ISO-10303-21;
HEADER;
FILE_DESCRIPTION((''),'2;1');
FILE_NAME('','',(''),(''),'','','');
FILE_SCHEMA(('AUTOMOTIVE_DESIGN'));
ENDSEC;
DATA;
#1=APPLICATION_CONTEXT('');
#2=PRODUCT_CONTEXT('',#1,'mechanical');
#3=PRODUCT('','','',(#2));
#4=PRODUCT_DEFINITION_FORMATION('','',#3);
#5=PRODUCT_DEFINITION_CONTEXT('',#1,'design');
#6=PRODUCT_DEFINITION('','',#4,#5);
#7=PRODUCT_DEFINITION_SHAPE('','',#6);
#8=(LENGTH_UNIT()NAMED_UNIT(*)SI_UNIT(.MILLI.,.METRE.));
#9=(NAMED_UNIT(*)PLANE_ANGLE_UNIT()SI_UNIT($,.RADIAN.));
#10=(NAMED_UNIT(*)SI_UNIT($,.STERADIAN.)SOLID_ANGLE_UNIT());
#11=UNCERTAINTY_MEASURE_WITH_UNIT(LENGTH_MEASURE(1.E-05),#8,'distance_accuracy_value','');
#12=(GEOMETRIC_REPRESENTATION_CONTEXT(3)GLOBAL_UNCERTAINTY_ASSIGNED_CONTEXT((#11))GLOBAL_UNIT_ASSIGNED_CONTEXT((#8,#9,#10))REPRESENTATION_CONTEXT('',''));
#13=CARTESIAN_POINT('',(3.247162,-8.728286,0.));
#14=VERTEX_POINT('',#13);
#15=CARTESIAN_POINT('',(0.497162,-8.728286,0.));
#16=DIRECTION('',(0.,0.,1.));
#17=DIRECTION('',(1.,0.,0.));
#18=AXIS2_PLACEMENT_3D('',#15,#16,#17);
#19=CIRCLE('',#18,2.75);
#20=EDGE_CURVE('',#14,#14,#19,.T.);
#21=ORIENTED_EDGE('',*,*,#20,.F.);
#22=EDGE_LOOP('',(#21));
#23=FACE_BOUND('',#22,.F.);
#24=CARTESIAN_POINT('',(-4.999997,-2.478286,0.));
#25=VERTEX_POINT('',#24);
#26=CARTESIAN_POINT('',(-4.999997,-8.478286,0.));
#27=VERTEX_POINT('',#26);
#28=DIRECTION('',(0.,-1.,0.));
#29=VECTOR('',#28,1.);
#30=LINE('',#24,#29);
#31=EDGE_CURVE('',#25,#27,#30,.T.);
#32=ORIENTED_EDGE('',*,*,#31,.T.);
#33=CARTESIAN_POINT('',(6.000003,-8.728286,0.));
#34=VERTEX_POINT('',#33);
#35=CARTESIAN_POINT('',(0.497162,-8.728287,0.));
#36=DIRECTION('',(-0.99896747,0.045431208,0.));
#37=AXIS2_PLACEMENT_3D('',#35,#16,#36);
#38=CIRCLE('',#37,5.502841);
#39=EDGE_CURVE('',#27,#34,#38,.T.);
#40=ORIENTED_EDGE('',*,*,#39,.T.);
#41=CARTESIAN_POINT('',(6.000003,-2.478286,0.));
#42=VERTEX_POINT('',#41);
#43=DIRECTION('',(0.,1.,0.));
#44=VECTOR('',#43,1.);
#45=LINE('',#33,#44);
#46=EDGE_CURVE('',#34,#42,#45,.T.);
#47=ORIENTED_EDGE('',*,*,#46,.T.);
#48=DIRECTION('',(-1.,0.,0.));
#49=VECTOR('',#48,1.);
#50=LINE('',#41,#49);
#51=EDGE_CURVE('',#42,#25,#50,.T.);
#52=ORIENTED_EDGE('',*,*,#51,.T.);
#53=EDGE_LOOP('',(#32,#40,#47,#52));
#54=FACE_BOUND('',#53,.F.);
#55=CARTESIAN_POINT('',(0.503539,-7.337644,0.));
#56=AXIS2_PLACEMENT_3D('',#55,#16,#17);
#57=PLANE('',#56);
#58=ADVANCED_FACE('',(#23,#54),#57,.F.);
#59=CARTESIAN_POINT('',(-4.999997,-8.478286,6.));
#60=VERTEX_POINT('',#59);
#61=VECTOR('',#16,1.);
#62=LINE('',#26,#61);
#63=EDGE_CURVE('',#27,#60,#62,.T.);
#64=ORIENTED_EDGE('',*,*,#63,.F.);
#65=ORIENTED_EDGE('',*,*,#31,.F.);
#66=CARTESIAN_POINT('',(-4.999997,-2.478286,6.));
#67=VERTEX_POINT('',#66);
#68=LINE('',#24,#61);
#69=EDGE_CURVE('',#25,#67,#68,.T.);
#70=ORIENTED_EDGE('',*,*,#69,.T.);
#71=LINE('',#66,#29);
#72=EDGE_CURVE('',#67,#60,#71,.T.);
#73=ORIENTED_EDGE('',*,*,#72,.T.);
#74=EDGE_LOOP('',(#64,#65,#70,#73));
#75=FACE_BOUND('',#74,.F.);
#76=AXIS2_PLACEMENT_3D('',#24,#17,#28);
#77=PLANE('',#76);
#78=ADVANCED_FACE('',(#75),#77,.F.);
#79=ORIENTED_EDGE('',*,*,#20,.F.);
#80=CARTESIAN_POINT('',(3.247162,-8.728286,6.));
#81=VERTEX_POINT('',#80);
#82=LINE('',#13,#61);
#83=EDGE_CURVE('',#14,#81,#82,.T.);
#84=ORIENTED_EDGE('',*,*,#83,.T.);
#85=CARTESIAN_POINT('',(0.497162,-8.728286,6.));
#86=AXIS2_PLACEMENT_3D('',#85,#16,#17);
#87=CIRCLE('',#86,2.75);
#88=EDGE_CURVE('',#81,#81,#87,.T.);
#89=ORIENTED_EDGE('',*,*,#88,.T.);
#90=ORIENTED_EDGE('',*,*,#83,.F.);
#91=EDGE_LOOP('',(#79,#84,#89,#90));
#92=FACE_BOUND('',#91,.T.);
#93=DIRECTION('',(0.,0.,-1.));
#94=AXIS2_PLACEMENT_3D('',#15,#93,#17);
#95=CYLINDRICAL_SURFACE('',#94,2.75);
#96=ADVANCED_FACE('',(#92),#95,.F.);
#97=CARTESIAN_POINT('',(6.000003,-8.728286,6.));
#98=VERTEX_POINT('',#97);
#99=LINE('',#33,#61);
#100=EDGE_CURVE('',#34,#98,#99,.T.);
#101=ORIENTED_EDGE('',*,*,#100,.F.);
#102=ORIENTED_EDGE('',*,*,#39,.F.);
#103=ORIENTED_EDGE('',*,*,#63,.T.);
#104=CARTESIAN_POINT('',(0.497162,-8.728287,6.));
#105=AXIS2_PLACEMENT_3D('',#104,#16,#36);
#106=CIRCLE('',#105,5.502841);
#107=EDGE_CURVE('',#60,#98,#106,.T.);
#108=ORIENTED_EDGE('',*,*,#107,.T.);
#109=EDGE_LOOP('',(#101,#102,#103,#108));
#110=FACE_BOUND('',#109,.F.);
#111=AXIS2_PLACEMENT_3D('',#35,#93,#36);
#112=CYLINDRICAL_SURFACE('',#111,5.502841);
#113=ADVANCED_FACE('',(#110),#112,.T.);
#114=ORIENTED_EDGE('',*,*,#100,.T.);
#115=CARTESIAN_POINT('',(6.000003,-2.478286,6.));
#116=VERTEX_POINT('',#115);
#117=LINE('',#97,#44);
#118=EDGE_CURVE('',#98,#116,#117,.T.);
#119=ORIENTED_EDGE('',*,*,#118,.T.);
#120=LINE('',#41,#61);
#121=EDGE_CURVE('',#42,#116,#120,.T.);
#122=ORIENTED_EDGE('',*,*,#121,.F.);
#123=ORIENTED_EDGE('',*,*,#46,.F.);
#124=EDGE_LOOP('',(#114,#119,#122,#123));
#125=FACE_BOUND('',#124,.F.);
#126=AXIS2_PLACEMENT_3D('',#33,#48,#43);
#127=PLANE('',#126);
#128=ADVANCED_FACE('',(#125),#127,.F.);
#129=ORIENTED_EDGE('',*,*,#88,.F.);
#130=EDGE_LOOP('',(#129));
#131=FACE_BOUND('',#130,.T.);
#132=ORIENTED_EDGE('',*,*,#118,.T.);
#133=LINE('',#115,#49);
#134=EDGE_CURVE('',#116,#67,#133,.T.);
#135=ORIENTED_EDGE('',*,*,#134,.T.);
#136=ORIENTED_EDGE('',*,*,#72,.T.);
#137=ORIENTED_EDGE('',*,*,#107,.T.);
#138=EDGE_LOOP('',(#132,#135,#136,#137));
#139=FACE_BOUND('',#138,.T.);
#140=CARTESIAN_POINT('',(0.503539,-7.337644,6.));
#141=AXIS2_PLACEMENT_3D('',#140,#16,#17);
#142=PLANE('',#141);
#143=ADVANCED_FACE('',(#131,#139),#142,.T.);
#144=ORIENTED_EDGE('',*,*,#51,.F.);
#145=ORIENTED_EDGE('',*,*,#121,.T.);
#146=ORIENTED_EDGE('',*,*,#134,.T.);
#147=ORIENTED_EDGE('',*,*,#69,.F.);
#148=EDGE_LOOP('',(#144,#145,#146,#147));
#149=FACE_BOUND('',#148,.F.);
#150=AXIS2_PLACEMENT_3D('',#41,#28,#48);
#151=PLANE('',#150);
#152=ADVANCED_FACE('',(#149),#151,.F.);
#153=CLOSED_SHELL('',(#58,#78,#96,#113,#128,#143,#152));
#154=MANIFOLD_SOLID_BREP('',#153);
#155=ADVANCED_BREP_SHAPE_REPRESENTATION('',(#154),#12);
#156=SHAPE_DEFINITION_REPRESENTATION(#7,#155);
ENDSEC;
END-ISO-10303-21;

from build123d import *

# Parameters (mm, degrees)
F0_R     = 2.75
F1_DEPTH = 6


with BuildPart() as f1:
    # F0 (on Top) → F1 (new body)
    with BuildSketch(Plane.XY):
        with BuildLine():
            Line((6.000003, -2.478286), (-4.999997, -2.478286))
            Line((-4.999997, -2.478286), (-4.999997, -8.478286))
            ThreePointArc((-4.999997, -8.478286), (0.37213, -14.229707), (6.000003, -8.728286))
            Line((6.000003, -8.728286), (6.000003, -2.478286))
        make_face()
        with Locations((0.497162, -8.728286)):
            Circle(F0_R, mode=Mode.SUBTRACT)
    extrude(amount=F1_DEPTH)


solid = f1.part
